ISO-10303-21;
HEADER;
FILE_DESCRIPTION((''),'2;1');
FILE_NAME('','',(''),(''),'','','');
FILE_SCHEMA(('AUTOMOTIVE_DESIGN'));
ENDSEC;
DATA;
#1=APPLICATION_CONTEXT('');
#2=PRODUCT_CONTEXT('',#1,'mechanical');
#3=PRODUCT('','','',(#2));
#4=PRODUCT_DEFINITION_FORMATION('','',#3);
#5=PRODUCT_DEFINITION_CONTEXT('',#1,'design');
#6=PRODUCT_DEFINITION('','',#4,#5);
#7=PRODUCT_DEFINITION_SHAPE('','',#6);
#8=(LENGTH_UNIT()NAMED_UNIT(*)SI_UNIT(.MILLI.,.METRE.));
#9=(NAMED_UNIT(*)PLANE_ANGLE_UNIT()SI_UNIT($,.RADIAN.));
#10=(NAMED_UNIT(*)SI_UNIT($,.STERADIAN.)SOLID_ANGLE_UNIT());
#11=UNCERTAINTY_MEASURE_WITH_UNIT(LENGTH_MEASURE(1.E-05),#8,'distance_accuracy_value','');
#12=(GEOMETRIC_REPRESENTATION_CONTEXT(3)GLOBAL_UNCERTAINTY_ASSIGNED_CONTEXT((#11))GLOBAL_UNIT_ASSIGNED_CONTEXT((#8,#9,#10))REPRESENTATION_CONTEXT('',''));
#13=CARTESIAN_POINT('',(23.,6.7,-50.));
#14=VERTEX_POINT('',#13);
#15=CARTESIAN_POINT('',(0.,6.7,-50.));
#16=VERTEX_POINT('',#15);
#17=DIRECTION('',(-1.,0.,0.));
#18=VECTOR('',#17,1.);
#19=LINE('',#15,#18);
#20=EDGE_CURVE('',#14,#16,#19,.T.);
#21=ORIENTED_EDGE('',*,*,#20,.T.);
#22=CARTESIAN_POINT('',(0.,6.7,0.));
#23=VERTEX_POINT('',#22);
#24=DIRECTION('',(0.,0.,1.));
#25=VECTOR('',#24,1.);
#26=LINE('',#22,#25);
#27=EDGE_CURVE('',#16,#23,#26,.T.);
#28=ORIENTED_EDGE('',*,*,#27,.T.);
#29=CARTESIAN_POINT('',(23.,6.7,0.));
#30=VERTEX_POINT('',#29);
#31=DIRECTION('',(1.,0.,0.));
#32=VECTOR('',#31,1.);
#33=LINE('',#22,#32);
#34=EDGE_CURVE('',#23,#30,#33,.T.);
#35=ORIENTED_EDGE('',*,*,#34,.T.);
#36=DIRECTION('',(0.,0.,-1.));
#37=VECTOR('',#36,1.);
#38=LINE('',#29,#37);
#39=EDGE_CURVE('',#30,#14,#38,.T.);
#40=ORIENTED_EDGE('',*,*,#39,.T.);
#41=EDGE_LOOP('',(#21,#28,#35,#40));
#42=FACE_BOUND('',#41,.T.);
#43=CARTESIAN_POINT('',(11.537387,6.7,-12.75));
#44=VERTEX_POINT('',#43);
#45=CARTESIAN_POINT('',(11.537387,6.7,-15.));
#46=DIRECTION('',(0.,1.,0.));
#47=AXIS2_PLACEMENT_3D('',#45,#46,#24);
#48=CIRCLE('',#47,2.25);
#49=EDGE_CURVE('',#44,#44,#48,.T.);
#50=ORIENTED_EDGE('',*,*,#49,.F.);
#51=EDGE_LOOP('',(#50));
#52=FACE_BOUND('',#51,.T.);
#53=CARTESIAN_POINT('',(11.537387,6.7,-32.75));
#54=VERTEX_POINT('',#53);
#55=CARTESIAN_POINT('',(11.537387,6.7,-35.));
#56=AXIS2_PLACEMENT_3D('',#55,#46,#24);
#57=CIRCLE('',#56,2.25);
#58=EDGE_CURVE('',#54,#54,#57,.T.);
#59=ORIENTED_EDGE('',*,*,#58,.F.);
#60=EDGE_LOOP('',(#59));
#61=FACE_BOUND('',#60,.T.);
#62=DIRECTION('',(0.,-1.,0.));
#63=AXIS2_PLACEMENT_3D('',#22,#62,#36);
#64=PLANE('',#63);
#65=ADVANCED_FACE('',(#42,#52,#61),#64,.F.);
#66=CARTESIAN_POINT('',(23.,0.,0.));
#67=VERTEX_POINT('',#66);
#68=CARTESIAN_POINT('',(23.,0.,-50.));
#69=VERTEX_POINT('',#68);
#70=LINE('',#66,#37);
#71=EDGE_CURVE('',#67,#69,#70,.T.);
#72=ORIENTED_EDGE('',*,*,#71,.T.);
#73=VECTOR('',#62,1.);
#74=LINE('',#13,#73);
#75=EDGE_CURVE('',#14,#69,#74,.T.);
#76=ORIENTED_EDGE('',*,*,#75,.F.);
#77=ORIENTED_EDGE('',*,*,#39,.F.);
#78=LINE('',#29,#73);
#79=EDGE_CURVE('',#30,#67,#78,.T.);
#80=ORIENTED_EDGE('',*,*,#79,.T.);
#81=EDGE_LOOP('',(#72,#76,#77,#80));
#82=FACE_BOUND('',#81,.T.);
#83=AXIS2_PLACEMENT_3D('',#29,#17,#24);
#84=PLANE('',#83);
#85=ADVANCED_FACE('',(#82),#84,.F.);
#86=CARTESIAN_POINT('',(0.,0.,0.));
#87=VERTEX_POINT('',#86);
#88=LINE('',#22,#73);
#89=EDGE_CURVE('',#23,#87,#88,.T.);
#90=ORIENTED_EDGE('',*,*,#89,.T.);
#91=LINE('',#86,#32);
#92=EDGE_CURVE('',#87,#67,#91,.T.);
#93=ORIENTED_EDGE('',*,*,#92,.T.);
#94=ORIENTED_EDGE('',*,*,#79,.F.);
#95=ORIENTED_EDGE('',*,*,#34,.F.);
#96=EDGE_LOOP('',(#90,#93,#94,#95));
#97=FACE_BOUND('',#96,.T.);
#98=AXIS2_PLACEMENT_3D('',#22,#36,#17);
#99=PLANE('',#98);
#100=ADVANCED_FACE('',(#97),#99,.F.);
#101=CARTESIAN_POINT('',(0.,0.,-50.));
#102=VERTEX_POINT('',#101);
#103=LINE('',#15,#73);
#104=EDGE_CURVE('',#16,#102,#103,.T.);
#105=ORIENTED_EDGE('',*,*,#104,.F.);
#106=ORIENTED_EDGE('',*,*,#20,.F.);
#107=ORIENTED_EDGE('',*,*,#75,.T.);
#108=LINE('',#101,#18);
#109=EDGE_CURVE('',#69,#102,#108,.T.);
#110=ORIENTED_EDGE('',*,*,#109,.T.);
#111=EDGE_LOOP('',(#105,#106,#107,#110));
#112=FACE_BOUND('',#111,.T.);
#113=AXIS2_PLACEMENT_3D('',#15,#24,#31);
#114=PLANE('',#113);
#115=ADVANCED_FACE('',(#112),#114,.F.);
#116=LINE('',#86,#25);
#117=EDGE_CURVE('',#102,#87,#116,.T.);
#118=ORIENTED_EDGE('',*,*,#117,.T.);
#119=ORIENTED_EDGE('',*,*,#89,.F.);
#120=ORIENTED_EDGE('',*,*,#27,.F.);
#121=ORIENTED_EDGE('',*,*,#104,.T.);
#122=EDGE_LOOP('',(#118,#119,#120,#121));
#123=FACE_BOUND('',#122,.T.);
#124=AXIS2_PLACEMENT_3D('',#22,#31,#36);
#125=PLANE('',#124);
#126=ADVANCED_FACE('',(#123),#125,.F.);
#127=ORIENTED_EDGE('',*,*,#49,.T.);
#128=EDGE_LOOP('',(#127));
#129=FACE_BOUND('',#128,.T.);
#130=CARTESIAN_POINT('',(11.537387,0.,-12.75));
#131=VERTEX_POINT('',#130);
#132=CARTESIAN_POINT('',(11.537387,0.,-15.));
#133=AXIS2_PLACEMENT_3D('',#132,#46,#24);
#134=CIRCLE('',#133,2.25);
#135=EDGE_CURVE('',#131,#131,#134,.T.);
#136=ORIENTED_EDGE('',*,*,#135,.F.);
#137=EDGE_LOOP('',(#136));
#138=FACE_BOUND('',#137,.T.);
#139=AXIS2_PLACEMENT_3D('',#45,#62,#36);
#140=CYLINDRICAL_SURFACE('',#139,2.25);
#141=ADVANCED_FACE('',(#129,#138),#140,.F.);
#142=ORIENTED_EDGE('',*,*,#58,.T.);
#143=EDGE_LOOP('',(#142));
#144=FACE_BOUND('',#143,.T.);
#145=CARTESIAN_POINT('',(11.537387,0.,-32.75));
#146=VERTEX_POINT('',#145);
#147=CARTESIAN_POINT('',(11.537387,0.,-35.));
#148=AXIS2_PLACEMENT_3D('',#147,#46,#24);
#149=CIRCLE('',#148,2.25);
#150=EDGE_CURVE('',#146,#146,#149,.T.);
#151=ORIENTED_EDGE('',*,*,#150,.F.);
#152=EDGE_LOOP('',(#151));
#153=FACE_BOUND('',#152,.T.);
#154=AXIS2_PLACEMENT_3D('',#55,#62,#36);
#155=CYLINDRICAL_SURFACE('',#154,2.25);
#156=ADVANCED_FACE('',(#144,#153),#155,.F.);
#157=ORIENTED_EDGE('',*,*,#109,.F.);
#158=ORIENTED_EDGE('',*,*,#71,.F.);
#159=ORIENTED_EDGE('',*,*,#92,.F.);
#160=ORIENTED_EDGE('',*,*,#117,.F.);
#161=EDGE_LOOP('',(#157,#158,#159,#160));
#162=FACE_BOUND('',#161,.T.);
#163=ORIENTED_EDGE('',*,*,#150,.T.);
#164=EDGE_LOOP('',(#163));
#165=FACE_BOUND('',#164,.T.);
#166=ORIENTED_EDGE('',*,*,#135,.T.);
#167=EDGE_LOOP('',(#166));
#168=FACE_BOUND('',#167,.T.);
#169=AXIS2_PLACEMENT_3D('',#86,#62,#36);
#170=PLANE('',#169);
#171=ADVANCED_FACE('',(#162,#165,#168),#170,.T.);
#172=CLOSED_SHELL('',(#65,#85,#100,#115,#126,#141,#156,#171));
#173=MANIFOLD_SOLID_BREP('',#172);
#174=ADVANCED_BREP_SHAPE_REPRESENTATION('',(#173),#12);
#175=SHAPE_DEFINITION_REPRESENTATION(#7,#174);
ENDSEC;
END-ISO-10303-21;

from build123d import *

# Parameters (mm, degrees)
SKETCH1_W           = 23
SKETCH1_H           = 50
SKETCH1_R           = 2.25
BOSS_EXTRUDE1_DEPTH = 6.7


with BuildPart() as part:
    # Sketch1 → Boss-Extrude1 (new body)
    with BuildSketch(Plane(origin=(0, 0, 0), x_dir=(1, 0, 0), z_dir=(0, 1, 0))):
        with Locations((11.5, 25)):
            Rectangle(SKETCH1_W, SKETCH1_H)
        with Locations(Location((11.537386981, 35, 0), (0, 0, 270))):
            Circle(SKETCH1_R, mode=Mode.SUBTRACT)
        with Locations(Location((11.537386981, 15, 0), (0, 0, 270))):
            Circle(SKETCH1_R, mode=Mode.SUBTRACT)
    extrude(amount=BOSS_EXTRUDE1_DEPTH)


solid = part.part
